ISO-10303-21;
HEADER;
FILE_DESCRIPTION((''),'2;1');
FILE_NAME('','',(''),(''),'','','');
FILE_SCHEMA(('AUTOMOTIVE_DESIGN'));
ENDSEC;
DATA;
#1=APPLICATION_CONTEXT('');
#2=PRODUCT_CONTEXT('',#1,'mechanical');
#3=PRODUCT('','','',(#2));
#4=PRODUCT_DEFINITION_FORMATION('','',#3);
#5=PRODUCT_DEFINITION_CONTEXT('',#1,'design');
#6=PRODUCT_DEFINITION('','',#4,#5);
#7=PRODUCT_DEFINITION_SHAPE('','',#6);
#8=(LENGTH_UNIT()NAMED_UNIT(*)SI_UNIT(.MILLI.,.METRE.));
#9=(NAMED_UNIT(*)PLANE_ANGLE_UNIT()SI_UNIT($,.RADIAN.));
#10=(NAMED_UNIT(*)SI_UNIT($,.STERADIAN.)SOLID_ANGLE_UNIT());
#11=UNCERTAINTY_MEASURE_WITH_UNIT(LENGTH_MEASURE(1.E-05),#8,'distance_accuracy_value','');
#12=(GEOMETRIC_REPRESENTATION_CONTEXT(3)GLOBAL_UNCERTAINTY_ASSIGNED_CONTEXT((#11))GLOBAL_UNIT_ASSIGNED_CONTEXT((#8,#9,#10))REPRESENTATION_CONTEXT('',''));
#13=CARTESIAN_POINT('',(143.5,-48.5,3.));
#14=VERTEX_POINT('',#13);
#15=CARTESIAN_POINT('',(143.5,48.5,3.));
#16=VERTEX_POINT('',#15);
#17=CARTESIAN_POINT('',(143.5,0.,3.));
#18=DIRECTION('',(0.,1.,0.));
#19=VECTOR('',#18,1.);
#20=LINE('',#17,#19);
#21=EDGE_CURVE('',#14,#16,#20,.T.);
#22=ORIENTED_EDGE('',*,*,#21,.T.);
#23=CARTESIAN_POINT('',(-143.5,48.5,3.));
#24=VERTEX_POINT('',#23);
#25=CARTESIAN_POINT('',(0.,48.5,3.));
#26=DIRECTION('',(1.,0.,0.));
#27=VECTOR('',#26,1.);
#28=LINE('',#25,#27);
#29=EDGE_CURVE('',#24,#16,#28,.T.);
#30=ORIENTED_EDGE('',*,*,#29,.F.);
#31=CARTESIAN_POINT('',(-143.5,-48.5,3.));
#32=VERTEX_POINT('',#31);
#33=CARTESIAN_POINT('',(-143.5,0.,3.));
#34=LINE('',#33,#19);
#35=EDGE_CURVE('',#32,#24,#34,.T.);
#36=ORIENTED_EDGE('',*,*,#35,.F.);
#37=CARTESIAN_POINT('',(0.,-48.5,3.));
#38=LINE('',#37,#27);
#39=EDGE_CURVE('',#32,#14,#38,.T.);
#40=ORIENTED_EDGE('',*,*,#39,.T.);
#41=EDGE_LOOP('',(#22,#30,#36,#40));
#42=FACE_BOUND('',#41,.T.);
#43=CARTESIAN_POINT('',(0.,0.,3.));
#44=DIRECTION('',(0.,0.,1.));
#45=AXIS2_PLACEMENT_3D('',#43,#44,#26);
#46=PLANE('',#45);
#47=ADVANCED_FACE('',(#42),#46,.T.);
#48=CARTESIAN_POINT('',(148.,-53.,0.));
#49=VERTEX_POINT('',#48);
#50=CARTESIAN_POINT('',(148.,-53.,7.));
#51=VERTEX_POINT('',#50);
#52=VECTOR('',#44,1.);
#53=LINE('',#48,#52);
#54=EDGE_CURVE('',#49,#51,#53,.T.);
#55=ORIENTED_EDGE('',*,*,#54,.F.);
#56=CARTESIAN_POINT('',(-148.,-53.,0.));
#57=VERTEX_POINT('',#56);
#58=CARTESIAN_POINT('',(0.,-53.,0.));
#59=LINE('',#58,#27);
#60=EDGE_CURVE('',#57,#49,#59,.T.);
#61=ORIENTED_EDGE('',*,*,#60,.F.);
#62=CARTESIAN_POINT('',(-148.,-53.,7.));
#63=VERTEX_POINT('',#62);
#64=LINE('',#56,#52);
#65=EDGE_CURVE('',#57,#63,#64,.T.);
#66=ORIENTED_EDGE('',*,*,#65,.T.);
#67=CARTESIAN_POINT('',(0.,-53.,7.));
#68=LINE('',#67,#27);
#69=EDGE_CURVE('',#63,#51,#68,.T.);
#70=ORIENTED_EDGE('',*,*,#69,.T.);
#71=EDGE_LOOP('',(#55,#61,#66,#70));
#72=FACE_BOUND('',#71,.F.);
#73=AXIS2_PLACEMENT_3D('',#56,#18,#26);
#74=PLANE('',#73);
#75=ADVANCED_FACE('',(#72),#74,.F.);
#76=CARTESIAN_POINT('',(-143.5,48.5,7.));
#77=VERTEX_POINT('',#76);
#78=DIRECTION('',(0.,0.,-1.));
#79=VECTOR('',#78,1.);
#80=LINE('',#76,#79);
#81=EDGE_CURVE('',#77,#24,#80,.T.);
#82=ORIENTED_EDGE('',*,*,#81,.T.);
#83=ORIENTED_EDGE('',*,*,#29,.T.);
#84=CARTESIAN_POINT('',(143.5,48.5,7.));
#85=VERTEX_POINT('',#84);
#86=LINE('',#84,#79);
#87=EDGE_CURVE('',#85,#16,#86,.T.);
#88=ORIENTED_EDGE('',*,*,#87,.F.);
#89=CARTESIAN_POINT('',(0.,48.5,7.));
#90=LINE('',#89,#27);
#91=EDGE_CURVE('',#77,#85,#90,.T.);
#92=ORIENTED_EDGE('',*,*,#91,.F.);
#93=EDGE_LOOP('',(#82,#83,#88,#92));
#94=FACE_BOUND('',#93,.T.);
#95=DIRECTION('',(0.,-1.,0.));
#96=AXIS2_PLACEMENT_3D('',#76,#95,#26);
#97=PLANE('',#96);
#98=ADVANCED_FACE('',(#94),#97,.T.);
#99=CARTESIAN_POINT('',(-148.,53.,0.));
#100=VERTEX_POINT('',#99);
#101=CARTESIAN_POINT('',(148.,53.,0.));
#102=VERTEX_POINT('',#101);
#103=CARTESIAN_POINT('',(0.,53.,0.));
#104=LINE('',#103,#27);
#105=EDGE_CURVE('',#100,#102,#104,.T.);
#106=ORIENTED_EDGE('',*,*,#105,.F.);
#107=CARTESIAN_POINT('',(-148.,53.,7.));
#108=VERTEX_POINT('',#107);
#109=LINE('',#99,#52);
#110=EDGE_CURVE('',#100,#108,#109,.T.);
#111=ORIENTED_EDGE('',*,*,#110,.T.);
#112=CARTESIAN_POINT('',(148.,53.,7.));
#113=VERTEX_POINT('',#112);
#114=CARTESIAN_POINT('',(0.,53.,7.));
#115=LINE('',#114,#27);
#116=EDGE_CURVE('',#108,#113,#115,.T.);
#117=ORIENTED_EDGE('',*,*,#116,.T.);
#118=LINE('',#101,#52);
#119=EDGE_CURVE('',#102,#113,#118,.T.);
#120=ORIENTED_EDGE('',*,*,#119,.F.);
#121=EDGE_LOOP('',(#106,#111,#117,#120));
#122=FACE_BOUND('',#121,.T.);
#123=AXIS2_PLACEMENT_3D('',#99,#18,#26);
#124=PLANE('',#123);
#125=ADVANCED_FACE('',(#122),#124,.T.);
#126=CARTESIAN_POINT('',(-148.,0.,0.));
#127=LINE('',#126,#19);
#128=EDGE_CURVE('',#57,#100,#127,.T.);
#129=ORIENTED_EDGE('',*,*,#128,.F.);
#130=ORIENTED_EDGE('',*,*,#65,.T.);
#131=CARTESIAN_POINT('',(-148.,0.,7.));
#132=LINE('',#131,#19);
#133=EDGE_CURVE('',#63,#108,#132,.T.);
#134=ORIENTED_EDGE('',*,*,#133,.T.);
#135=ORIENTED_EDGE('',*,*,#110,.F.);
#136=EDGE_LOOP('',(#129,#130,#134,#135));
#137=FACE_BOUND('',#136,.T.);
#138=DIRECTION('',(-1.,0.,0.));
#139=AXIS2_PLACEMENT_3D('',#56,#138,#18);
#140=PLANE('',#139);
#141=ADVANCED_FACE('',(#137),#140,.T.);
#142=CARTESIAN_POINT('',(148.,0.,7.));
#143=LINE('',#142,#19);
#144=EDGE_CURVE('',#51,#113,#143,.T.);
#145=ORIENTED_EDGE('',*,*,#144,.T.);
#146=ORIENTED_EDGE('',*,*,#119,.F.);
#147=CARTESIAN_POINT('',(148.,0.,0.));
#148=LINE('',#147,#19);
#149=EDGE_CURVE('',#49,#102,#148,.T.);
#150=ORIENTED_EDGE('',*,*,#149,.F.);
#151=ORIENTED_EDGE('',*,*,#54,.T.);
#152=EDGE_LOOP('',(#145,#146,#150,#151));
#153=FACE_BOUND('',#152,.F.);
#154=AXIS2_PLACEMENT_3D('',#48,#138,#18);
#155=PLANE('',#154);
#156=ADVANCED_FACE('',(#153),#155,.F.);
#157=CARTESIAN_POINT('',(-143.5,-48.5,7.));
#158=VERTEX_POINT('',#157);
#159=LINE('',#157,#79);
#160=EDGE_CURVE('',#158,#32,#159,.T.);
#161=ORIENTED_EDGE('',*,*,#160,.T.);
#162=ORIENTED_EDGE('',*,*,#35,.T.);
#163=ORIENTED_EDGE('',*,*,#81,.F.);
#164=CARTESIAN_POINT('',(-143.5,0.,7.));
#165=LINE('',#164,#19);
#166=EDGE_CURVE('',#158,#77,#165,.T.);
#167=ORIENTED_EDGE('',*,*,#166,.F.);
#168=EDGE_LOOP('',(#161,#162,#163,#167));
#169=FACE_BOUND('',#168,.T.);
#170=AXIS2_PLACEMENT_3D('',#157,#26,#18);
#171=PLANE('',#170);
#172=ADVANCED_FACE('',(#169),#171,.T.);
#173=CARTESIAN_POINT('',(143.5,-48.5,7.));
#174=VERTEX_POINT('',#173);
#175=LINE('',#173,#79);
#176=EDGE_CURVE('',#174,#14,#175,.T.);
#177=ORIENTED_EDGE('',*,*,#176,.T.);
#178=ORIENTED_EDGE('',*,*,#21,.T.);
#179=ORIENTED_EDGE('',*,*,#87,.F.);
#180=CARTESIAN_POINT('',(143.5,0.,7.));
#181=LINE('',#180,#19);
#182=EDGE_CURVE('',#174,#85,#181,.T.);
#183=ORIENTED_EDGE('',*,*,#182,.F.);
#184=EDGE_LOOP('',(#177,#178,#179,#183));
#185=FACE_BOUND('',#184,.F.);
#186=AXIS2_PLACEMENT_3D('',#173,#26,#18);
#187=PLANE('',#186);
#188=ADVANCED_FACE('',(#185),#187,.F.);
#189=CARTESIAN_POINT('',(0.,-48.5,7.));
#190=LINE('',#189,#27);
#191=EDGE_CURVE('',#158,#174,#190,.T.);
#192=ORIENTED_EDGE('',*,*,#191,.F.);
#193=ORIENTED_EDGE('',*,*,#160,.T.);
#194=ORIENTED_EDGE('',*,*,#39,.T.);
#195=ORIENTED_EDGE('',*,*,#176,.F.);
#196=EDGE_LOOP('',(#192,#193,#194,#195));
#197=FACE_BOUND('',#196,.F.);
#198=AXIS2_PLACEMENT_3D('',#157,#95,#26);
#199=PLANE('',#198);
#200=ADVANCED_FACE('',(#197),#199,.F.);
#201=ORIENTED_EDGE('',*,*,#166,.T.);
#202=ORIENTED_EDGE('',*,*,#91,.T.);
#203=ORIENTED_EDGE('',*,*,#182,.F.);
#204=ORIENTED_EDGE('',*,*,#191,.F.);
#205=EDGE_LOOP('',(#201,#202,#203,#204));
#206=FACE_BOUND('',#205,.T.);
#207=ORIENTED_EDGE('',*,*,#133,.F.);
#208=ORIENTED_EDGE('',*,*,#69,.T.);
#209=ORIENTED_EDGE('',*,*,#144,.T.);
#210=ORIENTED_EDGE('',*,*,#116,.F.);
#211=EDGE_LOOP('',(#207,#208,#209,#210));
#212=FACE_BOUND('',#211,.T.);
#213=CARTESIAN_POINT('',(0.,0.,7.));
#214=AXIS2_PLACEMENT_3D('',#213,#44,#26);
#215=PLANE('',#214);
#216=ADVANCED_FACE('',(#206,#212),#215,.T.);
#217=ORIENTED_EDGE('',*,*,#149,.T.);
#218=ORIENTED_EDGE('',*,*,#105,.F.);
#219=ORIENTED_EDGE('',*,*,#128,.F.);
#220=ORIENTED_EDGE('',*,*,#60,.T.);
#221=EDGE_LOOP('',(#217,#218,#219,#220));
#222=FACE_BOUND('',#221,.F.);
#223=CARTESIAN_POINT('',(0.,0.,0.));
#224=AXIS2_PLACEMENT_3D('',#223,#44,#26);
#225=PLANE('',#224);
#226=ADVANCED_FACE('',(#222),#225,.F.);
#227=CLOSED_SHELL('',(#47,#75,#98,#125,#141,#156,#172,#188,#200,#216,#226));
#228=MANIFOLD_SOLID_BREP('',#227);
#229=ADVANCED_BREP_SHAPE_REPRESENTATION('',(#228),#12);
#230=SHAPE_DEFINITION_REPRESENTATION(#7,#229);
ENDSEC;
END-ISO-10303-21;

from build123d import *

# Parameters (mm, degrees)
SKETCH_W     = 296
SKETCH_H     = 106
PAD_DEPTH    = 7
SKETCH001_W  = 287
SKETCH001_H  = 97
POCKET_DEPTH = 4


with BuildPart() as part:
    # Sketch → Pad (new body)
    with BuildSketch(Plane.XY):
        Rectangle(SKETCH_W, SKETCH_H)
    extrude(amount=PAD_DEPTH)

    # Sketch001 (on Face6 of Pad) → Pocket (cut)
    with BuildSketch(Plane.XY.offset(7)):
        Rectangle(SKETCH001_W, SKETCH001_H)
    extrude(amount=-POCKET_DEPTH, mode=Mode.SUBTRACT)


solid = part.part
